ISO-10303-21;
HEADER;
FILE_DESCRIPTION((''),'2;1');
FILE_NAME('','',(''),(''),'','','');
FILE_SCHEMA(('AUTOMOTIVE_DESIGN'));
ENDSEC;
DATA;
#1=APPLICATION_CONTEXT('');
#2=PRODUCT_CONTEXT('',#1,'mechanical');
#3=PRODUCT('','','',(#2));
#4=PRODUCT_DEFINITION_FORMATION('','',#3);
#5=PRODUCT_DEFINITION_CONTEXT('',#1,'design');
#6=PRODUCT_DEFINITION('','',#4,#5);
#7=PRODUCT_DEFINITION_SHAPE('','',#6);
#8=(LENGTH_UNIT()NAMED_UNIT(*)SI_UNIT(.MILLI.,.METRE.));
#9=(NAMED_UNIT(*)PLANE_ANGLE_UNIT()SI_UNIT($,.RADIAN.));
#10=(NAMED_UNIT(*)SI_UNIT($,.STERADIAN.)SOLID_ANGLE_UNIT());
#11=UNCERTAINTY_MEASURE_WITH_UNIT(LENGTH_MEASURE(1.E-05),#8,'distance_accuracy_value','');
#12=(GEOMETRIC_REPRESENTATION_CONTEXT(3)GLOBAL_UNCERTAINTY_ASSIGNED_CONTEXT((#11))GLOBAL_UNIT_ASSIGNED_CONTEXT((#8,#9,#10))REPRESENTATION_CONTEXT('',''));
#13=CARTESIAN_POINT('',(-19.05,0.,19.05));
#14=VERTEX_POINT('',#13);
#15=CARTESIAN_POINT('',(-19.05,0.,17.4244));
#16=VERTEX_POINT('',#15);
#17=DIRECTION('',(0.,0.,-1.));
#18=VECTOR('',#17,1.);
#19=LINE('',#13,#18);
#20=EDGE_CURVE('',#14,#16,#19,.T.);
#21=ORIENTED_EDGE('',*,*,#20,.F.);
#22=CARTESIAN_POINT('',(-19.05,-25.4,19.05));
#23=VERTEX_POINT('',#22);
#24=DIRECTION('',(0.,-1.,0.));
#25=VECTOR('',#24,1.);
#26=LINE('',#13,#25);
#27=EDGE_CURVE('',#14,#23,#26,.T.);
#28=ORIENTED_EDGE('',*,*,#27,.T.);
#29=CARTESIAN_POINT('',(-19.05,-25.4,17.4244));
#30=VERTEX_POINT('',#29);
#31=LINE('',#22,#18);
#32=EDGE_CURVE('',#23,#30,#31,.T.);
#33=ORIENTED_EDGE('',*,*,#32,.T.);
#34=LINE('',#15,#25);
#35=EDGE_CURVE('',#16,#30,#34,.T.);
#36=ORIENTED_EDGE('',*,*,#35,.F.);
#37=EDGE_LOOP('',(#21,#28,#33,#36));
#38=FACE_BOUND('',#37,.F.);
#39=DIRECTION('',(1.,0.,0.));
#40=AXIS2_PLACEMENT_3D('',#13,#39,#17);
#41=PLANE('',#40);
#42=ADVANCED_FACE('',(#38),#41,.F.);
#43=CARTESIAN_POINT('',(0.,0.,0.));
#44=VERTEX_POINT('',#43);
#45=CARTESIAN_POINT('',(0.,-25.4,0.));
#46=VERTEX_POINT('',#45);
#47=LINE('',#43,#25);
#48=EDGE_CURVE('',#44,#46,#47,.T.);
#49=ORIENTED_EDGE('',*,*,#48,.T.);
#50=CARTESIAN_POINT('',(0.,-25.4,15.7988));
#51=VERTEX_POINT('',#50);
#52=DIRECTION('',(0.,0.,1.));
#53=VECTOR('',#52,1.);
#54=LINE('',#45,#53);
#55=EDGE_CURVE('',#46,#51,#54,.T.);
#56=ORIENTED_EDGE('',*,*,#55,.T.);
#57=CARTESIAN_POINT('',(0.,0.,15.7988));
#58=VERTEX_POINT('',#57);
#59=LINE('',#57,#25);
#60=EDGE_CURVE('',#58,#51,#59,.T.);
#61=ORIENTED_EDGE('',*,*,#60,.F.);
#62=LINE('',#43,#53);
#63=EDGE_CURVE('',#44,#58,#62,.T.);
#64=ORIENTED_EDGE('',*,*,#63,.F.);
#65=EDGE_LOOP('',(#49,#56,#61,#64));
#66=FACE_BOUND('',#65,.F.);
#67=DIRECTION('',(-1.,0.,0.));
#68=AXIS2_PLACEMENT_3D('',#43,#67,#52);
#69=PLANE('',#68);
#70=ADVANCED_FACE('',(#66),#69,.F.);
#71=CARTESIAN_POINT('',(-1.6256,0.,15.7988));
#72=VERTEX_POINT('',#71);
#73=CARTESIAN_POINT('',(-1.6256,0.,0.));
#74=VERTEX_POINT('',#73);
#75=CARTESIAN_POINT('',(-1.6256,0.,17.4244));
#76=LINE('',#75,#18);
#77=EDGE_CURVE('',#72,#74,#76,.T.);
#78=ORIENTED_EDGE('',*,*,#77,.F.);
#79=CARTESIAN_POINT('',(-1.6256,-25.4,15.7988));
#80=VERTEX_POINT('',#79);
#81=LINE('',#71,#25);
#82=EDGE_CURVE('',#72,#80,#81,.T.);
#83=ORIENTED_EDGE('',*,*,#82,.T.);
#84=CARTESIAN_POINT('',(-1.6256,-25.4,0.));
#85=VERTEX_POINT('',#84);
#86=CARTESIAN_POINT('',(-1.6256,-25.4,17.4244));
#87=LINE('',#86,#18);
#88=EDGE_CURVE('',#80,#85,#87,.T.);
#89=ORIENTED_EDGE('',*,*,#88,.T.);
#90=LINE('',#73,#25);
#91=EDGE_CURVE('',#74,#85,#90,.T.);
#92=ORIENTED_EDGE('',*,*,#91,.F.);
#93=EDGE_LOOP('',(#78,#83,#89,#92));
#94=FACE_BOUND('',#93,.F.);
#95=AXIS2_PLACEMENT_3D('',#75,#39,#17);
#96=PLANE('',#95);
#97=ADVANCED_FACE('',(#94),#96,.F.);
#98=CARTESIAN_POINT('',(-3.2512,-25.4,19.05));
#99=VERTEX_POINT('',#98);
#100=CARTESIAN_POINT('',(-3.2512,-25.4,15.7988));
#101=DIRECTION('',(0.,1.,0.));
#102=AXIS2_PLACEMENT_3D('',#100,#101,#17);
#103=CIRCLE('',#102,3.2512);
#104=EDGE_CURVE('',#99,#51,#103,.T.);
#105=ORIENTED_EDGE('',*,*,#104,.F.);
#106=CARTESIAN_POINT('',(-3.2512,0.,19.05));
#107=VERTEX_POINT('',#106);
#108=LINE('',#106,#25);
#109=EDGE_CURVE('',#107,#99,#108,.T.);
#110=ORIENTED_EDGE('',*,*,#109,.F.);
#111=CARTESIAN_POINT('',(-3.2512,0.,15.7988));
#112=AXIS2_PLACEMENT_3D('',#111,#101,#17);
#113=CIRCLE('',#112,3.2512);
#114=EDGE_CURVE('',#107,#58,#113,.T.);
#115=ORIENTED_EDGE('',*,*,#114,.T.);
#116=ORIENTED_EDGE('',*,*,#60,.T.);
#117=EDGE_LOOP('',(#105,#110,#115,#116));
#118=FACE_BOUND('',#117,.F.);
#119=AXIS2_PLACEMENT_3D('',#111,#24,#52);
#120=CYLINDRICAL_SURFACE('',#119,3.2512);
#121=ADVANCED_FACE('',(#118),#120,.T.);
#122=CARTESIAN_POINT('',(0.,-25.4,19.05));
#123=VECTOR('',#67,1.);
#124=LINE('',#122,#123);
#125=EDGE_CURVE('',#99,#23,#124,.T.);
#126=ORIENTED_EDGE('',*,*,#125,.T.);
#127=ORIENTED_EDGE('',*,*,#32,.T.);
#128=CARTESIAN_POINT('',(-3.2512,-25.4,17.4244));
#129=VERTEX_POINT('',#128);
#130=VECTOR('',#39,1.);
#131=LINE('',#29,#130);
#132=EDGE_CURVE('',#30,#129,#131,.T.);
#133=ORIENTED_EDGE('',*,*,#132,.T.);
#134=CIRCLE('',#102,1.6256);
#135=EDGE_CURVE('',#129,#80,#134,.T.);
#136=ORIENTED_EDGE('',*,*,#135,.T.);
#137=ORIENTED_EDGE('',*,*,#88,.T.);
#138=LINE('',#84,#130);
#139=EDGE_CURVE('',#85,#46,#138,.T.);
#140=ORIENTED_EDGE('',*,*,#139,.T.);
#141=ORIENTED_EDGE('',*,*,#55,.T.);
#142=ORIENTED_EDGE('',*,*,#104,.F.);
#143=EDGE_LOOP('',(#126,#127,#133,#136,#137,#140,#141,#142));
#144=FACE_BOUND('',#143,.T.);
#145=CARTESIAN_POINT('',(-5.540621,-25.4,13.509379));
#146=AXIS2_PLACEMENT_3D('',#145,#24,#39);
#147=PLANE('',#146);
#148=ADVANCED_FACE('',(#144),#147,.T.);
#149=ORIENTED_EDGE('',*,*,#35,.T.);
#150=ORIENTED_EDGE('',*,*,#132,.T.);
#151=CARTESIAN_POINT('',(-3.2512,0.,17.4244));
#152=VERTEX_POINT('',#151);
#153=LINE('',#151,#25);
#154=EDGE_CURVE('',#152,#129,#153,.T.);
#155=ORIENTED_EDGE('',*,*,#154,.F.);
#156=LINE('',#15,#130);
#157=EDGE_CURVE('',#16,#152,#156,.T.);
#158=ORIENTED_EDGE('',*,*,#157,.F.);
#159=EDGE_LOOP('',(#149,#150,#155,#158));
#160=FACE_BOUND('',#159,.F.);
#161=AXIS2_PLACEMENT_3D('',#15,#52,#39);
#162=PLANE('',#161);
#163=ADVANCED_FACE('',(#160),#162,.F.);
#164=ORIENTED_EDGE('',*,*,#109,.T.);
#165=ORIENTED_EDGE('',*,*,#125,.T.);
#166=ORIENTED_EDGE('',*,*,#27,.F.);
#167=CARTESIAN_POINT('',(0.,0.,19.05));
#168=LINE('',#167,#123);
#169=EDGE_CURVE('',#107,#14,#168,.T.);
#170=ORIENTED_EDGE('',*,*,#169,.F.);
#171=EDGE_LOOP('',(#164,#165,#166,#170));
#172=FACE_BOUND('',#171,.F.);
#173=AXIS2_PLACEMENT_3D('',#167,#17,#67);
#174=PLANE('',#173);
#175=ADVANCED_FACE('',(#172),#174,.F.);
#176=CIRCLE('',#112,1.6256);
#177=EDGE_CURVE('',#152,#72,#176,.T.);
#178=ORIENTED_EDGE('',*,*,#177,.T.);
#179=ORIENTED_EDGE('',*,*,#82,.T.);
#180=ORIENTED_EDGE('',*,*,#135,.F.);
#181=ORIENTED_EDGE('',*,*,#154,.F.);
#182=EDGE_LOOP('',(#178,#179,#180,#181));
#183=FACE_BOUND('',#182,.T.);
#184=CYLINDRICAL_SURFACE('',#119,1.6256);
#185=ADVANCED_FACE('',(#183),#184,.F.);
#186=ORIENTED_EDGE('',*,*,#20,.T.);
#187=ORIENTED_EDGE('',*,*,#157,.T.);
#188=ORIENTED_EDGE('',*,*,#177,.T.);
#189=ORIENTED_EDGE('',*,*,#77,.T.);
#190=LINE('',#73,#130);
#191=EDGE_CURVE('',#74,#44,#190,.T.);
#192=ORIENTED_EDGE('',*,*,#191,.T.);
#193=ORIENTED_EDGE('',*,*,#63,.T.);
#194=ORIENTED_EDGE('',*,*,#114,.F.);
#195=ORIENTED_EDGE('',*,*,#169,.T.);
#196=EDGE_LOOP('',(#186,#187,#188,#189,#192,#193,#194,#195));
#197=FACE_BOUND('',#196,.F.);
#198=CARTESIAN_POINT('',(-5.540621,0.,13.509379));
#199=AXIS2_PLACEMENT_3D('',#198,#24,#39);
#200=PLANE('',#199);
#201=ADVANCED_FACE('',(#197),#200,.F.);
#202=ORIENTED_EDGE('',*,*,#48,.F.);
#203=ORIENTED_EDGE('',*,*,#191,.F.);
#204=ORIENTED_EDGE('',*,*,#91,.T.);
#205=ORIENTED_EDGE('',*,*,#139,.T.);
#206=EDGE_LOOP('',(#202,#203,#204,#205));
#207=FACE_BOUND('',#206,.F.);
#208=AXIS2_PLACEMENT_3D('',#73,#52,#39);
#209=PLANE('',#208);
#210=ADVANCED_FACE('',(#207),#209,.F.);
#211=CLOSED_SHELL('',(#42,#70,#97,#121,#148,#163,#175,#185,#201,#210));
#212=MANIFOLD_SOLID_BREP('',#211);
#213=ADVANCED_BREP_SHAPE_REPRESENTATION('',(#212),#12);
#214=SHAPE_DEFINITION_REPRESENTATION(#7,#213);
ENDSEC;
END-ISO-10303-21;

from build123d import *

# Parameters (mm, degrees)
F1_DEPTH = 25.4
F2_R     = 1.6256
F3_R     = 3.2512


with BuildPart() as f1:
    # F0 (on Front) → F1 (new body)
    with BuildSketch(Plane.XZ):
        Polygon((-1.6256, 0), (0, 0), (0, 19.05), (-19.05, 19.05), (-19.05, 17.4244), (-1.6256, 17.4244), align=None)
    extrude(amount=F1_DEPTH)

    # F2
    f2_edges = [f1.edges().sort_by_distance(p)[0] for p in [
        (-1.6256, -12.7, 17.4244),
    ]]
    fillet(f2_edges, radius=F2_R)

    # F3
    f3_edges = [f1.edges().sort_by_distance(p)[0] for p in [
        (0, -12.7, 19.05),
    ]]
    fillet(f3_edges, radius=F3_R)


solid = f1.part
